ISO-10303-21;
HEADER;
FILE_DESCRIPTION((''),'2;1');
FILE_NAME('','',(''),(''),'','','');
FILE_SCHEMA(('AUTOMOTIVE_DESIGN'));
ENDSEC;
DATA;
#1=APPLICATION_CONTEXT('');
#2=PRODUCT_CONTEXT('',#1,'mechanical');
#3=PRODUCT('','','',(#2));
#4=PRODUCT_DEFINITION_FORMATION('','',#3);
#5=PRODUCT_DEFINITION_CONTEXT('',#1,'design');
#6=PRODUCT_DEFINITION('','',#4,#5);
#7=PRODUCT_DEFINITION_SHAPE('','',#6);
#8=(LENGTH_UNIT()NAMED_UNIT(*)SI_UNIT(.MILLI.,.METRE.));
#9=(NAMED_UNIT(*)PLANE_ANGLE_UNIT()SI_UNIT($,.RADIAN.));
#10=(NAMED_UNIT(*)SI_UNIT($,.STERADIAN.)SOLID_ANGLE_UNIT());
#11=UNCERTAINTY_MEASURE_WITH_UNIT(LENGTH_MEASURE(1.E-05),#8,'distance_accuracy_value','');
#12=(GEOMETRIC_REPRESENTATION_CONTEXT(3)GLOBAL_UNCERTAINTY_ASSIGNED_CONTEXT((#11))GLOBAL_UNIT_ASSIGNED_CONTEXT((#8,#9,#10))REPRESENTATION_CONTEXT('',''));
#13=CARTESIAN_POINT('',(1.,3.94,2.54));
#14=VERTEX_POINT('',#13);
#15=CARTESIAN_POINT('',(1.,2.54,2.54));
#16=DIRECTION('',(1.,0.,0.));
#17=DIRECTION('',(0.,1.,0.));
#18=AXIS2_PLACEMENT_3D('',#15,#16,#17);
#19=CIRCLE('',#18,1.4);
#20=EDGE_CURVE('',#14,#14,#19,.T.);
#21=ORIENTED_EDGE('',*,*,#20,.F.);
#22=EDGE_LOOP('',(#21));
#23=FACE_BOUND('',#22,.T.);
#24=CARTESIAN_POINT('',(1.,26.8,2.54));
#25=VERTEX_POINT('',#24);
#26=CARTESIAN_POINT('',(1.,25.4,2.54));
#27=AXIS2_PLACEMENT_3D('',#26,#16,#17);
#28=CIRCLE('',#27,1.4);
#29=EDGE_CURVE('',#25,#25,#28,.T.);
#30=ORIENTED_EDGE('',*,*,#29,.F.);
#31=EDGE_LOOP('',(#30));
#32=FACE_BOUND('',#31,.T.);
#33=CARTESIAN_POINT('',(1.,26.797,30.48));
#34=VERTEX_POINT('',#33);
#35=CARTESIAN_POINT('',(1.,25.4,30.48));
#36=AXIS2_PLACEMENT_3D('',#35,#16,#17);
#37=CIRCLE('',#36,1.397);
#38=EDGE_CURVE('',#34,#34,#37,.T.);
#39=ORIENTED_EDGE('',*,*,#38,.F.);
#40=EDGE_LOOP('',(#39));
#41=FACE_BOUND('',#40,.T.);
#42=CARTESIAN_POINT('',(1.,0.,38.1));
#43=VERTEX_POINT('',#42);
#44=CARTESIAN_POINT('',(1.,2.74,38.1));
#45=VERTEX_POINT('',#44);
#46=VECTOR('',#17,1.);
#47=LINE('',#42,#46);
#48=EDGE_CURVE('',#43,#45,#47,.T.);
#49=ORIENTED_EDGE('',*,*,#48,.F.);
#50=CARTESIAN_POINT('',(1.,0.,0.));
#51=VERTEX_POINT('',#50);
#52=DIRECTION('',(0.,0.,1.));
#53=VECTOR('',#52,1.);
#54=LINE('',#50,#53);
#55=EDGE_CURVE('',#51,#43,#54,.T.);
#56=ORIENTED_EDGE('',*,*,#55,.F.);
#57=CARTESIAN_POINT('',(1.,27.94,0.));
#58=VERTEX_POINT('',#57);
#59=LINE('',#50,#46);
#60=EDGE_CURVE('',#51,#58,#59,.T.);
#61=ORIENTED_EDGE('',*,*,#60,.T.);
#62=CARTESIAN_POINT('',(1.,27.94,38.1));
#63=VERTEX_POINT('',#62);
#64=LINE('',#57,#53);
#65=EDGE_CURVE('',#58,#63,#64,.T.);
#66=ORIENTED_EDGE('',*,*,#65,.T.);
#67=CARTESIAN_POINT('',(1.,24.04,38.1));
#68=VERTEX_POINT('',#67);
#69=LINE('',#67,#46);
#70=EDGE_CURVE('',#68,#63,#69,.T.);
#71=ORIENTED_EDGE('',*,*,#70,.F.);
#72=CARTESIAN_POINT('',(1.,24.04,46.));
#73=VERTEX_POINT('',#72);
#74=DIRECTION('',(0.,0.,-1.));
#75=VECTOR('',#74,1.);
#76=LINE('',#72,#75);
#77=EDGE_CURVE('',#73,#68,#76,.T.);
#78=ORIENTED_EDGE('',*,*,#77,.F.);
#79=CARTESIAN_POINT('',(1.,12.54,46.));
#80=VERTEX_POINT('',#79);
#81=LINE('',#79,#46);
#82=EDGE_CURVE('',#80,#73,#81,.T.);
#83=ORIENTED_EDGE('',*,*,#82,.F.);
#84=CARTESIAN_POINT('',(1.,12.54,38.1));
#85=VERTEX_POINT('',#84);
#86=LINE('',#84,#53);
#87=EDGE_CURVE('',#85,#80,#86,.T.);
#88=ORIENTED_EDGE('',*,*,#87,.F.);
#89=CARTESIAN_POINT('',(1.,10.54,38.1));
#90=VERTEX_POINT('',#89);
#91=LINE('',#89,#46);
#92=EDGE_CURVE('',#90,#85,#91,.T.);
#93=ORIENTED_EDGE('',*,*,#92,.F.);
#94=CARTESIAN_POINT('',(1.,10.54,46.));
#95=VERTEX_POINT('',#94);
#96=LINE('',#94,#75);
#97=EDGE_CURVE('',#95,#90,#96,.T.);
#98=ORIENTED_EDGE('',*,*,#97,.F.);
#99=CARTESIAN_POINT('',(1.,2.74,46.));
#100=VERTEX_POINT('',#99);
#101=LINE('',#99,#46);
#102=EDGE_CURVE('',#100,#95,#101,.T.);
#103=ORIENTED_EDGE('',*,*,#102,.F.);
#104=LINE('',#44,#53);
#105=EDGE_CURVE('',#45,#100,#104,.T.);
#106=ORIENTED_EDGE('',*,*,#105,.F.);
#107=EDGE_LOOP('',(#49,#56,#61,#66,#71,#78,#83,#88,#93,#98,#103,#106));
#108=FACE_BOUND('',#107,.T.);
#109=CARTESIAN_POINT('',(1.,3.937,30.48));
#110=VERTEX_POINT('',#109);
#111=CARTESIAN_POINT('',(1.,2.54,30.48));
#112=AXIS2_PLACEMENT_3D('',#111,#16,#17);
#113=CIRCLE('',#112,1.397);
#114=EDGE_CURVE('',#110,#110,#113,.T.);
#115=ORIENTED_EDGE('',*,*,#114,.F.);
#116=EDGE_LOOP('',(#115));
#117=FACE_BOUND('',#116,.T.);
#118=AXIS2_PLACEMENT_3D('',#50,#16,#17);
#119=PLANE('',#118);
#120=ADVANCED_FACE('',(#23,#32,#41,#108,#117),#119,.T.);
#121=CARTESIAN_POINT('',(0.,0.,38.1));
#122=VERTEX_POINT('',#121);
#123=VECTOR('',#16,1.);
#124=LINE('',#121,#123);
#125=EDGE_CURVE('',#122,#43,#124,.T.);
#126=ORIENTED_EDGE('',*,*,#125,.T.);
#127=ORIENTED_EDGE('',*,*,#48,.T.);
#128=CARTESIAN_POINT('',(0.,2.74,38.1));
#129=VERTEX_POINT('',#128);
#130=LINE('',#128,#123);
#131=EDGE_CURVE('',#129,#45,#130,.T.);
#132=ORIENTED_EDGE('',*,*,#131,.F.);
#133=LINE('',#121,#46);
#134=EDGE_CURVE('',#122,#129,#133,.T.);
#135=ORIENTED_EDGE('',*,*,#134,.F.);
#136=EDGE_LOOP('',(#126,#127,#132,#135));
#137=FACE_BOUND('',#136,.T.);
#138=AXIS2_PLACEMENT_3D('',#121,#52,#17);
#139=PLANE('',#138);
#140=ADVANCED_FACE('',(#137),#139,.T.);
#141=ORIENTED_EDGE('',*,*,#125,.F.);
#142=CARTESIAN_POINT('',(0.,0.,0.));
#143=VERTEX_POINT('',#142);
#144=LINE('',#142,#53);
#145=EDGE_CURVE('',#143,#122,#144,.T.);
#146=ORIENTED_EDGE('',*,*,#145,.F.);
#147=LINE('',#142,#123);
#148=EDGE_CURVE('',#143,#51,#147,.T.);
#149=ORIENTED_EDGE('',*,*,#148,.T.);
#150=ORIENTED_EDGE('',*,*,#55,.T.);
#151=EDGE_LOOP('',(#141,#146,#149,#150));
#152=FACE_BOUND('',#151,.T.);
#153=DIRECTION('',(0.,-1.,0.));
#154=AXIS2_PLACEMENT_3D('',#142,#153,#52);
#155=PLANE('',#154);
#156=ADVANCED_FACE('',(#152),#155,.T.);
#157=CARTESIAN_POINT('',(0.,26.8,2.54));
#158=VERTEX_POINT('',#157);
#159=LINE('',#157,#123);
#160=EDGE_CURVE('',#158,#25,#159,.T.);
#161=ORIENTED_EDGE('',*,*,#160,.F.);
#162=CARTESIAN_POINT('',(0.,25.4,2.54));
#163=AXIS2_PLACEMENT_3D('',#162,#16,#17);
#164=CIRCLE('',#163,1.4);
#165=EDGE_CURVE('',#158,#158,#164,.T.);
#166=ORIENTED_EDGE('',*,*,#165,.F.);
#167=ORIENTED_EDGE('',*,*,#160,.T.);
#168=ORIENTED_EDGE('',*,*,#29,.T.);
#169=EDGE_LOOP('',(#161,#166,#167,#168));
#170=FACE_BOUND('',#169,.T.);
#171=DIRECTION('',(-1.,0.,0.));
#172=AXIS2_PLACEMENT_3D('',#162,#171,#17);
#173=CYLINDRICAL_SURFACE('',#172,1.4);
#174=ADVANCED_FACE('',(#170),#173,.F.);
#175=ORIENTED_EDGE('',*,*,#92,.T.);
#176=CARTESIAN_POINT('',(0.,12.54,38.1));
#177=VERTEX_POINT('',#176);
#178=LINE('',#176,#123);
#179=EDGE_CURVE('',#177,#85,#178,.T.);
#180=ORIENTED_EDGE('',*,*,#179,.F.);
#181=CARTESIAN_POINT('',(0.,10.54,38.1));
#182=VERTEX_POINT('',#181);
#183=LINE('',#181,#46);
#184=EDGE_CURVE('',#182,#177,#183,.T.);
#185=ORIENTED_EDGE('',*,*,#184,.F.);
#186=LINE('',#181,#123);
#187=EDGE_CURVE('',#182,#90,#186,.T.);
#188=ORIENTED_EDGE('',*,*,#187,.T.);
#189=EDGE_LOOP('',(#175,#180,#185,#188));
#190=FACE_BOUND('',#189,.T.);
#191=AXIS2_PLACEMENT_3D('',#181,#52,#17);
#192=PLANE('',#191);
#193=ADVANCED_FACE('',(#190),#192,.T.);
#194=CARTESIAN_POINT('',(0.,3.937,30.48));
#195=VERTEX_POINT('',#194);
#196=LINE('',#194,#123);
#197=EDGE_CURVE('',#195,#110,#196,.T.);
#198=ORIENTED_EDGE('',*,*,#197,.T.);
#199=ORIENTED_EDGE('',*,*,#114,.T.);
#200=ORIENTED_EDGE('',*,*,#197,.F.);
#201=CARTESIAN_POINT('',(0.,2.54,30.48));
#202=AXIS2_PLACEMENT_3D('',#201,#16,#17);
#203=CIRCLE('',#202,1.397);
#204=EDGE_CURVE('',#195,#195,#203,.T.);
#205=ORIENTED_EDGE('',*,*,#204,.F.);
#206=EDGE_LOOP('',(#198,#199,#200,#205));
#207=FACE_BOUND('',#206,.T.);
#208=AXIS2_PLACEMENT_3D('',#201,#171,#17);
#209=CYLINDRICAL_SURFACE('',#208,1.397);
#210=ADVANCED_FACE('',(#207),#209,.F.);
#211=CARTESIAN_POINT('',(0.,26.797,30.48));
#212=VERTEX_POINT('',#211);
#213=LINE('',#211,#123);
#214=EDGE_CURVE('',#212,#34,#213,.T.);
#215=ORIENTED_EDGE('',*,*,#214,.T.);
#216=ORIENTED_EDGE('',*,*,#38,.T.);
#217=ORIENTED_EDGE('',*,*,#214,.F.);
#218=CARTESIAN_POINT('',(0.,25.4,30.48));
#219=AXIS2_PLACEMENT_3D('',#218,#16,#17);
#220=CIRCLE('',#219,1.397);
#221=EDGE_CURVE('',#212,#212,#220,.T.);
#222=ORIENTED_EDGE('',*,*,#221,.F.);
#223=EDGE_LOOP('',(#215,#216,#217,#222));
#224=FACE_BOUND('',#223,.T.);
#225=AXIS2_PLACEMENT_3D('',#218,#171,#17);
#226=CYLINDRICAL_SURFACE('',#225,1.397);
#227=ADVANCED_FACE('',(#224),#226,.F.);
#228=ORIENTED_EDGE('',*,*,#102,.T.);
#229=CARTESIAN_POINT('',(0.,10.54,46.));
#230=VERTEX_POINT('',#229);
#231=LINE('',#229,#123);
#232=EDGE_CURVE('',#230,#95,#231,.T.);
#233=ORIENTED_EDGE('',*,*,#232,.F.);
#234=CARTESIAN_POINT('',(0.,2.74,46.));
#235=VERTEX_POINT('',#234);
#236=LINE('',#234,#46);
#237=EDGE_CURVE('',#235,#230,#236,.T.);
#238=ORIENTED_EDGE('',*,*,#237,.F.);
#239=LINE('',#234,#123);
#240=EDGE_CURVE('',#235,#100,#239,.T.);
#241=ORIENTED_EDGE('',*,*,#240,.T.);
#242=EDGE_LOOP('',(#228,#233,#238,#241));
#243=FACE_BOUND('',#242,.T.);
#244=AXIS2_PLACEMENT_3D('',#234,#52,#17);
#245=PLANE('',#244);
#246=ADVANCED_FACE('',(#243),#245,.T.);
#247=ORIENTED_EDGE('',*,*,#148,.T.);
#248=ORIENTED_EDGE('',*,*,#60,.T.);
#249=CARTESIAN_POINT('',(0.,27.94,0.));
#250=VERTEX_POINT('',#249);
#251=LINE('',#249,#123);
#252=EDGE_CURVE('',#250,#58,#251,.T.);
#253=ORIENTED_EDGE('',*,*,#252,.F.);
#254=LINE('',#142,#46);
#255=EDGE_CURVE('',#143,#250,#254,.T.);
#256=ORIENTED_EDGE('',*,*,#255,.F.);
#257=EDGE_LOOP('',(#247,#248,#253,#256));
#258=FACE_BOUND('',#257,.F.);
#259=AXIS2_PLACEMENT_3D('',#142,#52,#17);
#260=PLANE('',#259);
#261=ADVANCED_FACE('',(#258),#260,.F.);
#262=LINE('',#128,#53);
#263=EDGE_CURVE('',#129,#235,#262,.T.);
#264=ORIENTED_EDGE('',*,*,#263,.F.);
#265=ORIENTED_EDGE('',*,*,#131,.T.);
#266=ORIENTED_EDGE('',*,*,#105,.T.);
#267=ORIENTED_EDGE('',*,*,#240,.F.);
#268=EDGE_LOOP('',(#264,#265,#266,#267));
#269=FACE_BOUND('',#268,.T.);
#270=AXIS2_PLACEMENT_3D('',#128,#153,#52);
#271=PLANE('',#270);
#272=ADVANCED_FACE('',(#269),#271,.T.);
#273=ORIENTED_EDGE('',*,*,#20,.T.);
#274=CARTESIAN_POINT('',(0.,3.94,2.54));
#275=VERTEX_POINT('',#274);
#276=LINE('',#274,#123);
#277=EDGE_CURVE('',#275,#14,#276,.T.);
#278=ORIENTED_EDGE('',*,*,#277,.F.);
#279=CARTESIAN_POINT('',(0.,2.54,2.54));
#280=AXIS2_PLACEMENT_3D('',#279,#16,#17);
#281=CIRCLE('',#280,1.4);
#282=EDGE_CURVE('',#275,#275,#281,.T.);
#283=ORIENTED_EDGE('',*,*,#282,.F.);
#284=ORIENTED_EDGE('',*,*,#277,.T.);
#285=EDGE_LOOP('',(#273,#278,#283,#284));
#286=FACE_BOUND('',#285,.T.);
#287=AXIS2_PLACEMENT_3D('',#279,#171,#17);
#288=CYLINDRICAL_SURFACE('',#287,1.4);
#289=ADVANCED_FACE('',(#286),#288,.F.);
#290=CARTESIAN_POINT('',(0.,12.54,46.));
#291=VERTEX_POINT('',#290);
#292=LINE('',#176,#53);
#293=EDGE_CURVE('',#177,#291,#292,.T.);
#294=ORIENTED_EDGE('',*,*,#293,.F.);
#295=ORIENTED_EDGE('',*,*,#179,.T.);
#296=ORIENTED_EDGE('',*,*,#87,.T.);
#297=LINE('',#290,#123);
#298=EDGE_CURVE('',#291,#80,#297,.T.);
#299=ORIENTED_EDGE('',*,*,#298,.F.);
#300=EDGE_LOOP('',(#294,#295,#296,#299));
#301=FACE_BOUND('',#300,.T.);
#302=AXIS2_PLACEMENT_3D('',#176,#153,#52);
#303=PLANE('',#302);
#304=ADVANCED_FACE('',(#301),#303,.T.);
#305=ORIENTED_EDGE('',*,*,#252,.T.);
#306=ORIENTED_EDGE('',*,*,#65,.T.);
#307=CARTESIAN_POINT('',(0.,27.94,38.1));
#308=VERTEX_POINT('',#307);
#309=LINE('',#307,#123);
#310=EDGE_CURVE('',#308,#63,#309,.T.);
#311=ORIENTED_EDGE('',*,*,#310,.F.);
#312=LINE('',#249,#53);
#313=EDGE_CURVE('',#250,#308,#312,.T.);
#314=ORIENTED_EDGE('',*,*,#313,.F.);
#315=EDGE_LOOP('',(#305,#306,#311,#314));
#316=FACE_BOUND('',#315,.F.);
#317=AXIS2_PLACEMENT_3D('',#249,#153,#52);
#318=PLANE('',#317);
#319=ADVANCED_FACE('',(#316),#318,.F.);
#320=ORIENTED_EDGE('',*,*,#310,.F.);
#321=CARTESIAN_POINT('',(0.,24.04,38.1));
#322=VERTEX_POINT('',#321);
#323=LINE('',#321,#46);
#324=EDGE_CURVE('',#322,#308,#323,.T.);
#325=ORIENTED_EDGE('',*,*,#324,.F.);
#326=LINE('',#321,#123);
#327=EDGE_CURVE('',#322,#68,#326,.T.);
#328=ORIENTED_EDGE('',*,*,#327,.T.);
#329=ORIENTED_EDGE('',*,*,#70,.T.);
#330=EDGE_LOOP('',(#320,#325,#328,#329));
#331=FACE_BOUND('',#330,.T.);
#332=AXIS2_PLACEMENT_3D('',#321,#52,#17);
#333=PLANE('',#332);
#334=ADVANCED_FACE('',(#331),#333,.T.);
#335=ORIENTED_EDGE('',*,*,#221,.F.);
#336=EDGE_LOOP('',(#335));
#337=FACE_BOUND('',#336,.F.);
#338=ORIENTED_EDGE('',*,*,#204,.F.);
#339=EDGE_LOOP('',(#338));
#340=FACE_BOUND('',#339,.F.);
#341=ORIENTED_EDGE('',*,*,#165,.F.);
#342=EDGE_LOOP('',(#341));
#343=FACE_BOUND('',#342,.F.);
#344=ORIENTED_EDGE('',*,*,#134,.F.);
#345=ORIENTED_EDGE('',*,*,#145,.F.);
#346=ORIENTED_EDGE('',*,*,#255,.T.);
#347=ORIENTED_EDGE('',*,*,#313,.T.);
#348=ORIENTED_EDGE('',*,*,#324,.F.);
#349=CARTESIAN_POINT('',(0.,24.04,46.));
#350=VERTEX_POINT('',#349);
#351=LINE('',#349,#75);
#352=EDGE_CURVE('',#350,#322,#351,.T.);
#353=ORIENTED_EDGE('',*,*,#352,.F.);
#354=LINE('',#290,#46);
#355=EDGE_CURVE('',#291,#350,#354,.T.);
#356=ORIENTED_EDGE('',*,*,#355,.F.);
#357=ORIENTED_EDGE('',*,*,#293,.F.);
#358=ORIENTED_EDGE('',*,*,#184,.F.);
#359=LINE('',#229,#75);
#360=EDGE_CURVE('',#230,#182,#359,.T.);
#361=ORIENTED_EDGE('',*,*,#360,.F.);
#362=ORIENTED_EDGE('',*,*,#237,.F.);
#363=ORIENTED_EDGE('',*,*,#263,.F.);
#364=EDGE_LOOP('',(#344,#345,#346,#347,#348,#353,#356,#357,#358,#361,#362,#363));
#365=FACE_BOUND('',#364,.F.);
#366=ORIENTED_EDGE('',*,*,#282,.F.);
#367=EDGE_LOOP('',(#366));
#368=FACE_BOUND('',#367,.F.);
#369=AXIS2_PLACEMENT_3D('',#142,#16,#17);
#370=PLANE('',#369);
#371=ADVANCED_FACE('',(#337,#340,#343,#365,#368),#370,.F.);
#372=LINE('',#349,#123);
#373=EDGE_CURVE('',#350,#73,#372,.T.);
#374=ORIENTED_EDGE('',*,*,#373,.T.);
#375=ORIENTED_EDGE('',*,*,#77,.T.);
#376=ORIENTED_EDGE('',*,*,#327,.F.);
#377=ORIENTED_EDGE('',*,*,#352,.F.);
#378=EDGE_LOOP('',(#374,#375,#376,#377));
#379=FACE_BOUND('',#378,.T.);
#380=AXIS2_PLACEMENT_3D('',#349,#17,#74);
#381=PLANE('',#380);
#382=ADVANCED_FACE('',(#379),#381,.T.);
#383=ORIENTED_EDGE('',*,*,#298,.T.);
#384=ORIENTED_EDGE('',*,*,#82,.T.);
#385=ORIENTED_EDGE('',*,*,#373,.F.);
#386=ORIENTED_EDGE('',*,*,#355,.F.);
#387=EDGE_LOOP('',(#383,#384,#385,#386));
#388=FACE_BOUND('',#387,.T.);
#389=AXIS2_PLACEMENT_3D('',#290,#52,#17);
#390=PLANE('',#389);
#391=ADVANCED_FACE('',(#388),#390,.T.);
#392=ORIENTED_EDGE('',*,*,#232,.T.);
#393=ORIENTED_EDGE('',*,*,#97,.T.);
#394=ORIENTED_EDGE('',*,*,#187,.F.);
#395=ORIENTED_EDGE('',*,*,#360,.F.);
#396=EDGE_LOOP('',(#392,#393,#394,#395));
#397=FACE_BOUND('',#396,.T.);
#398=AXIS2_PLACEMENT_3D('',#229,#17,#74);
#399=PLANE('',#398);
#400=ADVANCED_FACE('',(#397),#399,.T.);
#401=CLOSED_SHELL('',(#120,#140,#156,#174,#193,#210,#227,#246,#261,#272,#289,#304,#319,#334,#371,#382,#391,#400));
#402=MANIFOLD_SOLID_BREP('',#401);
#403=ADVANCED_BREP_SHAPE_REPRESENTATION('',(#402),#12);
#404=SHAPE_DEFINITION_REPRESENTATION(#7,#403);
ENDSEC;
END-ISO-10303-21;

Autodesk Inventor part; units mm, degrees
ref_plane "YZ Plane" through (0, 0, 0) normal (1, 0, 0) x (0, 1, 0)
ref_plane "XZ Plane" through (0, 0, 0) normal (0, 1, 0) x (-1, 0, 0)
ref_plane "XY Plane" through (0, 0, 0) normal (0, 0, 1) x (1, 0, 0)
sketch "Sketch1" plane through (0, 0, 0) normal (1, 0, 0) x (0, 1, 0)
  line L0 (0, 0) -> (27.94, 0)
  line L1 (27.94, 0) -> (27.94, 38.1)
  line L2 (13.97, 0) -> (13.97, 11.6982) construction
  circle A0 centre (2.54, 2.54) radius 1.4
  circle A1 centre (25.4, 2.54) radius 1.4
  line L3 (0, 38.1) -> (2.74, 38.1)
  line L4 (2.74, 38.1) -> (2.74, 46)
  line L5 (2.74, 46) -> (10.54, 46)
  line L6 (10.54, 46) -> (10.54, 38.1)
  line L7 (10.54, 38.1) -> (12.54, 38.1)
  line L8 (12.54, 38.1) -> (12.54, 46)
  line L9 (12.54, 46) -> (24.04, 46)
  line L10 (24.04, 46) -> (24.04, 38.1)
  line L11 (24.04, 38.1) -> (27.94, 38.1)
  line L12 (0, 0) -> (0, 38.1)
  circle A2 centre (2.54, 30.48) radius 1.397
  circle A3 centre (25.4, 30.48) radius 1.397
  point P0 (13.97, 5.8491)
  dimension "d0" = 27.94
  dimension "d5" = 2.8
  dimension "d6" = 2.54
  dimension "d21" = 7.8
  dimension "d23" = 2
  dimension "d24" = 11.5
  dimension "d27" = 38.1
  dimension "d29" = 3.9
  dimension "d30" = 7.9
  dimension "d31" = 2.54
  dimension "d32" = 2.794
  dimension "d33" = 2.54
  dimension "d34" = 7.62
extrude "Extrusion1" add sketch "Sketch1" along normal blind 1
properties part number "HidhSpeedIOShield01" material "PCB(1)"
